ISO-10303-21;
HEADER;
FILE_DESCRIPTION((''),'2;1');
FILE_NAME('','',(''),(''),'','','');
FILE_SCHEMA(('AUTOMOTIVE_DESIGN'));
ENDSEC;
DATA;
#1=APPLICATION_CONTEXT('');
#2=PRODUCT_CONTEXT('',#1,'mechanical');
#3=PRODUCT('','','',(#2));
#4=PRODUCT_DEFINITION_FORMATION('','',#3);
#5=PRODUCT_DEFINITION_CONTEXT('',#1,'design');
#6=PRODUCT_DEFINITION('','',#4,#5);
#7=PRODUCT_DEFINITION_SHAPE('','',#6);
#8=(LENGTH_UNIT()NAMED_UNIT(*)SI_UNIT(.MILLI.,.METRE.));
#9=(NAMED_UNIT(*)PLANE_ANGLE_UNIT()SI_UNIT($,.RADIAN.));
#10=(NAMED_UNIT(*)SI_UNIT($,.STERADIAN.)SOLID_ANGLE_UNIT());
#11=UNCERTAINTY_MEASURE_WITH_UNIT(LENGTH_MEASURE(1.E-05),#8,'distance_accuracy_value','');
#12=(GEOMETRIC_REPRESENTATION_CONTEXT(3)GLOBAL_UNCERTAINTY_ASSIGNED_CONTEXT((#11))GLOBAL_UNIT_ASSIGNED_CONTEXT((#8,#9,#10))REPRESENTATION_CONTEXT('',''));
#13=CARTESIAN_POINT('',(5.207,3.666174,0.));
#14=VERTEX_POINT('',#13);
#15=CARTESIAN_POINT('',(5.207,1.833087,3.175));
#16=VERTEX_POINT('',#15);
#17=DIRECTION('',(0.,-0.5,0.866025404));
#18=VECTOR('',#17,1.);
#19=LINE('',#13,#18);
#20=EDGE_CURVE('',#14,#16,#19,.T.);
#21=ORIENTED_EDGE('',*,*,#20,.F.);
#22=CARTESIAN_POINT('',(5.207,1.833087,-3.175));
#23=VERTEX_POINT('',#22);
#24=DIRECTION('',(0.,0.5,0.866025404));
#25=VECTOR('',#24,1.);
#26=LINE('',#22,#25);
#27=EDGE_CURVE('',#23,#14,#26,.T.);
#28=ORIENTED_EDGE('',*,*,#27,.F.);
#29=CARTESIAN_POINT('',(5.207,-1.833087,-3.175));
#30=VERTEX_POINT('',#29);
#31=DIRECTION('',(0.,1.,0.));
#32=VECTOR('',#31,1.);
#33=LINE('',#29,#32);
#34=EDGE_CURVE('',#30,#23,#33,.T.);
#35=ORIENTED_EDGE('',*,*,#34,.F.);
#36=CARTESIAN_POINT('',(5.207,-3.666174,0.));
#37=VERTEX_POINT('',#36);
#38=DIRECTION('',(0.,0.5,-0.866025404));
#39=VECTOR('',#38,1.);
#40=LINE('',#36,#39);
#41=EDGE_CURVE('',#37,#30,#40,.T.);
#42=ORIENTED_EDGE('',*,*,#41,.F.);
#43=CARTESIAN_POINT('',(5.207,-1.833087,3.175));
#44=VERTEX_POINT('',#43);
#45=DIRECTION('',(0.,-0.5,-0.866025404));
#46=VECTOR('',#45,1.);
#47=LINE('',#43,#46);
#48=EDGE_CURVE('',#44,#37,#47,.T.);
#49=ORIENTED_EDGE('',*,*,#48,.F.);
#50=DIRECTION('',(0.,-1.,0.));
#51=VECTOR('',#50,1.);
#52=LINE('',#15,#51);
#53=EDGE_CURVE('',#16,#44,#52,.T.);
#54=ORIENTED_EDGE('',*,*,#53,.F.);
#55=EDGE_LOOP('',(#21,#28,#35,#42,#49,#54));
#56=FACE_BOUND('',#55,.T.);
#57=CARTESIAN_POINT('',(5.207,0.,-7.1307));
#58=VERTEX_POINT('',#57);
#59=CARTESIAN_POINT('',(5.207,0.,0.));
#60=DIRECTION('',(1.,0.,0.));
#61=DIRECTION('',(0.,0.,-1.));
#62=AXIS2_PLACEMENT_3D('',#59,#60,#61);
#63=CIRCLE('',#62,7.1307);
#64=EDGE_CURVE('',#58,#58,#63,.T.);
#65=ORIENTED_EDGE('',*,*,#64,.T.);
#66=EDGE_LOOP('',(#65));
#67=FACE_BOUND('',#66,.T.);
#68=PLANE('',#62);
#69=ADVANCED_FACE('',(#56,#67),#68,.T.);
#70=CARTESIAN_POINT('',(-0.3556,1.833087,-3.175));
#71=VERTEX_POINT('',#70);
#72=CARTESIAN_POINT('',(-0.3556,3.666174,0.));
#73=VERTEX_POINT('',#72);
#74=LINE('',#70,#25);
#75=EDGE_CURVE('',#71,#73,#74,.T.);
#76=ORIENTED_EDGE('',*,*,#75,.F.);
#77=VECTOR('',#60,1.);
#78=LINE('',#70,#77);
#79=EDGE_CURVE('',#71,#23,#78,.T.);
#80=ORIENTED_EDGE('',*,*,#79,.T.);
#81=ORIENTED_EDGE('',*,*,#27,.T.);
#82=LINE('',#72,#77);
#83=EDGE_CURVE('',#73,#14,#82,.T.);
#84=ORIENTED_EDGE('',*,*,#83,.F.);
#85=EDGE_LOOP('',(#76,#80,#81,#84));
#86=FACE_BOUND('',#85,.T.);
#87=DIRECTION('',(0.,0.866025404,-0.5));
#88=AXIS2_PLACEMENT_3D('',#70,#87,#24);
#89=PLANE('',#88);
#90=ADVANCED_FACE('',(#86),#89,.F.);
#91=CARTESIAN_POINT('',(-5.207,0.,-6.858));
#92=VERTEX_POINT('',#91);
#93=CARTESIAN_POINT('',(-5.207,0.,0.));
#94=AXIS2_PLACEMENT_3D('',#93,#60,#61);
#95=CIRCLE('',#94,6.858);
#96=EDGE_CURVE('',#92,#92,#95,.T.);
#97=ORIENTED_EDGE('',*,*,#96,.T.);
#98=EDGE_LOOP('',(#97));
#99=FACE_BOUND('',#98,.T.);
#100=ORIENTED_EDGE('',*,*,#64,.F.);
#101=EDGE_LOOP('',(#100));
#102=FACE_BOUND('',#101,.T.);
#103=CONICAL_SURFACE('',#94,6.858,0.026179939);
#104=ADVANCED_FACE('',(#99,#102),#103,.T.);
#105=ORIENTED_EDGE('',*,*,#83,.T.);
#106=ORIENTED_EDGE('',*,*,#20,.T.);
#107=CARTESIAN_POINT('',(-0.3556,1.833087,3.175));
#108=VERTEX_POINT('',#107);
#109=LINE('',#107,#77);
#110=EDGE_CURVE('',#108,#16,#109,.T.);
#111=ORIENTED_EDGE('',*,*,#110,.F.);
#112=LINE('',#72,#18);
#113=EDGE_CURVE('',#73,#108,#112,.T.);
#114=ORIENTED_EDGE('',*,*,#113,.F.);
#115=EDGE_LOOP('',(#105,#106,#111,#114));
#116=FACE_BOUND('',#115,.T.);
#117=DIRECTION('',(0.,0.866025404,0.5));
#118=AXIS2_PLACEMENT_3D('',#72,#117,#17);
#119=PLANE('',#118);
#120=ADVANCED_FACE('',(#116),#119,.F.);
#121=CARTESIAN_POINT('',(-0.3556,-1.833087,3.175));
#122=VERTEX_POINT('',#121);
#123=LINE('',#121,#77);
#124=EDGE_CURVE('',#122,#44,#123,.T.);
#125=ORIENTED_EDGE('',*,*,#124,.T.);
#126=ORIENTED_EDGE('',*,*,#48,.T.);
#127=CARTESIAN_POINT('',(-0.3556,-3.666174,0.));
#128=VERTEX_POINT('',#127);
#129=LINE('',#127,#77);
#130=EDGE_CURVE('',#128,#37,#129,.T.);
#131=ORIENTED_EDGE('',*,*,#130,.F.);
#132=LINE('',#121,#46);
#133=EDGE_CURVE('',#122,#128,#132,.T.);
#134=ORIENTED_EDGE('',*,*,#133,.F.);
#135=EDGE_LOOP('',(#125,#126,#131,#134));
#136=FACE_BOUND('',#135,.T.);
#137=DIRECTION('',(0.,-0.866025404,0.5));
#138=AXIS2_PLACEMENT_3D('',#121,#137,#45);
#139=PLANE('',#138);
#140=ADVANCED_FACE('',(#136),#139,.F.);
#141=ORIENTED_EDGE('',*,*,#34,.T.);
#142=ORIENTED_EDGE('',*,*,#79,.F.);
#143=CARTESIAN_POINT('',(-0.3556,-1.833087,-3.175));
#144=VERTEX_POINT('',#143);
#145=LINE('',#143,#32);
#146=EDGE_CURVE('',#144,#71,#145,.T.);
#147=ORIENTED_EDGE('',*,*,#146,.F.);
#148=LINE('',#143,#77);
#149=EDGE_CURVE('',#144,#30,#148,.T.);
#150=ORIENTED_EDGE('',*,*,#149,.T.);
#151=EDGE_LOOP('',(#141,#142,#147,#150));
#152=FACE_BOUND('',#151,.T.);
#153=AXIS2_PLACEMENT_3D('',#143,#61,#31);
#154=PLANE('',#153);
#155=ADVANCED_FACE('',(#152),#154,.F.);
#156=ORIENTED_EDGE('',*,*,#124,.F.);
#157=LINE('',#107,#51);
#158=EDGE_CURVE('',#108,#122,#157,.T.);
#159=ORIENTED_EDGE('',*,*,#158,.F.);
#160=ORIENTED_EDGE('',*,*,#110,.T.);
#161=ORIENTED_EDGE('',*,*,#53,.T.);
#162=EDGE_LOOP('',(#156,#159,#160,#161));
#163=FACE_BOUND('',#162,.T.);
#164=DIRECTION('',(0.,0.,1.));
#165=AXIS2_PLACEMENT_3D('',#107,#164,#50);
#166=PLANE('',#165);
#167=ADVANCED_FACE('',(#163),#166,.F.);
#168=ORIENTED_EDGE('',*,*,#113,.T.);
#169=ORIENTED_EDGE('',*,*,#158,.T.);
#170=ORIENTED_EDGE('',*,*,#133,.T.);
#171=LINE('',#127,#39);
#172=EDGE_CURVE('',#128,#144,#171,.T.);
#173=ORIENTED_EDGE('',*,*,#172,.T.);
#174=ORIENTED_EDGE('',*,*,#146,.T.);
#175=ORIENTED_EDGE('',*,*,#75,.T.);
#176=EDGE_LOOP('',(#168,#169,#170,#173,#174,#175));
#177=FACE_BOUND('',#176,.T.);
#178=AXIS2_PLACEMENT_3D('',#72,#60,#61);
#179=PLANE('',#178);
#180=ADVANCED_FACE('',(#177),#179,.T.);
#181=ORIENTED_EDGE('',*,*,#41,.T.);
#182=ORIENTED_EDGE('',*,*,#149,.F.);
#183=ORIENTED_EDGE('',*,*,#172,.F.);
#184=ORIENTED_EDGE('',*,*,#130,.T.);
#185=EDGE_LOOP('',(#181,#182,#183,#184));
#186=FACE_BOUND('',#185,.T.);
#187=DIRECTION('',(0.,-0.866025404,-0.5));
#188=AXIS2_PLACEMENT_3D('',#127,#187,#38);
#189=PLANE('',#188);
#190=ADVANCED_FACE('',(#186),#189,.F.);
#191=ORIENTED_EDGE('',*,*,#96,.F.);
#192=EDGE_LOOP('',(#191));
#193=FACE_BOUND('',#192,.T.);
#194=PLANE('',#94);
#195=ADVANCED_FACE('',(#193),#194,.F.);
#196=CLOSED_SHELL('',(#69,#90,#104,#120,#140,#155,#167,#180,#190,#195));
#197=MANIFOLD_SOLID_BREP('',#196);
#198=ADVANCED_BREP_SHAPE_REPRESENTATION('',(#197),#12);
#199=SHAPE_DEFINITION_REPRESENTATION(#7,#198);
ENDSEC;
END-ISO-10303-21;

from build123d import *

# Parameters (mm, degrees)
SKETCH2_R          = 6.858
EXTRUDE1_DEPTH     = 10.414
EXTRUDE1_DRAFT     = -1.5
CUT_EXTRUDE7_DEPTH = 5.5626


with BuildPart() as part:
    # Sketch2 → Extrude1 (with draft: the straight prism first)
    with BuildSketch(Plane(origin=(-5.207, 0, 0), x_dir=(0, 0, -1), z_dir=(1, 0, 0))):
        Circle(SKETCH2_R)
    extrude(amount=EXTRUDE1_DEPTH)
    # Extrude1: the draft: its side faces are tilted about the plane it starts from
    extrude1_sides = [part.faces().sort_by_distance(p)[0] for p in [
        (0, 0, 6.858),
    ]]
    draft(extrude1_sides, Plane(origin=(-5.207, 0, 0), x_dir=(0, 0, -1), z_dir=(1, 0, 0)), EXTRUDE1_DRAFT)

    # Sketch6 → Cut-Extrude7 (cut)
    with BuildSketch(Plane(origin=(5.207, 0, 0), x_dir=(0, 0, -1), z_dir=(1, 0, 0))):
        Polygon((0, 3.666174209), (-3.175, 1.833087105), (-3.175, -1.833087105), (0, -3.666174209), (3.175, -1.833087105), (3.175, 1.833087105), align=None)
    extrude(amount=-CUT_EXTRUDE7_DEPTH, mode=Mode.SUBTRACT)


solid = part.part
